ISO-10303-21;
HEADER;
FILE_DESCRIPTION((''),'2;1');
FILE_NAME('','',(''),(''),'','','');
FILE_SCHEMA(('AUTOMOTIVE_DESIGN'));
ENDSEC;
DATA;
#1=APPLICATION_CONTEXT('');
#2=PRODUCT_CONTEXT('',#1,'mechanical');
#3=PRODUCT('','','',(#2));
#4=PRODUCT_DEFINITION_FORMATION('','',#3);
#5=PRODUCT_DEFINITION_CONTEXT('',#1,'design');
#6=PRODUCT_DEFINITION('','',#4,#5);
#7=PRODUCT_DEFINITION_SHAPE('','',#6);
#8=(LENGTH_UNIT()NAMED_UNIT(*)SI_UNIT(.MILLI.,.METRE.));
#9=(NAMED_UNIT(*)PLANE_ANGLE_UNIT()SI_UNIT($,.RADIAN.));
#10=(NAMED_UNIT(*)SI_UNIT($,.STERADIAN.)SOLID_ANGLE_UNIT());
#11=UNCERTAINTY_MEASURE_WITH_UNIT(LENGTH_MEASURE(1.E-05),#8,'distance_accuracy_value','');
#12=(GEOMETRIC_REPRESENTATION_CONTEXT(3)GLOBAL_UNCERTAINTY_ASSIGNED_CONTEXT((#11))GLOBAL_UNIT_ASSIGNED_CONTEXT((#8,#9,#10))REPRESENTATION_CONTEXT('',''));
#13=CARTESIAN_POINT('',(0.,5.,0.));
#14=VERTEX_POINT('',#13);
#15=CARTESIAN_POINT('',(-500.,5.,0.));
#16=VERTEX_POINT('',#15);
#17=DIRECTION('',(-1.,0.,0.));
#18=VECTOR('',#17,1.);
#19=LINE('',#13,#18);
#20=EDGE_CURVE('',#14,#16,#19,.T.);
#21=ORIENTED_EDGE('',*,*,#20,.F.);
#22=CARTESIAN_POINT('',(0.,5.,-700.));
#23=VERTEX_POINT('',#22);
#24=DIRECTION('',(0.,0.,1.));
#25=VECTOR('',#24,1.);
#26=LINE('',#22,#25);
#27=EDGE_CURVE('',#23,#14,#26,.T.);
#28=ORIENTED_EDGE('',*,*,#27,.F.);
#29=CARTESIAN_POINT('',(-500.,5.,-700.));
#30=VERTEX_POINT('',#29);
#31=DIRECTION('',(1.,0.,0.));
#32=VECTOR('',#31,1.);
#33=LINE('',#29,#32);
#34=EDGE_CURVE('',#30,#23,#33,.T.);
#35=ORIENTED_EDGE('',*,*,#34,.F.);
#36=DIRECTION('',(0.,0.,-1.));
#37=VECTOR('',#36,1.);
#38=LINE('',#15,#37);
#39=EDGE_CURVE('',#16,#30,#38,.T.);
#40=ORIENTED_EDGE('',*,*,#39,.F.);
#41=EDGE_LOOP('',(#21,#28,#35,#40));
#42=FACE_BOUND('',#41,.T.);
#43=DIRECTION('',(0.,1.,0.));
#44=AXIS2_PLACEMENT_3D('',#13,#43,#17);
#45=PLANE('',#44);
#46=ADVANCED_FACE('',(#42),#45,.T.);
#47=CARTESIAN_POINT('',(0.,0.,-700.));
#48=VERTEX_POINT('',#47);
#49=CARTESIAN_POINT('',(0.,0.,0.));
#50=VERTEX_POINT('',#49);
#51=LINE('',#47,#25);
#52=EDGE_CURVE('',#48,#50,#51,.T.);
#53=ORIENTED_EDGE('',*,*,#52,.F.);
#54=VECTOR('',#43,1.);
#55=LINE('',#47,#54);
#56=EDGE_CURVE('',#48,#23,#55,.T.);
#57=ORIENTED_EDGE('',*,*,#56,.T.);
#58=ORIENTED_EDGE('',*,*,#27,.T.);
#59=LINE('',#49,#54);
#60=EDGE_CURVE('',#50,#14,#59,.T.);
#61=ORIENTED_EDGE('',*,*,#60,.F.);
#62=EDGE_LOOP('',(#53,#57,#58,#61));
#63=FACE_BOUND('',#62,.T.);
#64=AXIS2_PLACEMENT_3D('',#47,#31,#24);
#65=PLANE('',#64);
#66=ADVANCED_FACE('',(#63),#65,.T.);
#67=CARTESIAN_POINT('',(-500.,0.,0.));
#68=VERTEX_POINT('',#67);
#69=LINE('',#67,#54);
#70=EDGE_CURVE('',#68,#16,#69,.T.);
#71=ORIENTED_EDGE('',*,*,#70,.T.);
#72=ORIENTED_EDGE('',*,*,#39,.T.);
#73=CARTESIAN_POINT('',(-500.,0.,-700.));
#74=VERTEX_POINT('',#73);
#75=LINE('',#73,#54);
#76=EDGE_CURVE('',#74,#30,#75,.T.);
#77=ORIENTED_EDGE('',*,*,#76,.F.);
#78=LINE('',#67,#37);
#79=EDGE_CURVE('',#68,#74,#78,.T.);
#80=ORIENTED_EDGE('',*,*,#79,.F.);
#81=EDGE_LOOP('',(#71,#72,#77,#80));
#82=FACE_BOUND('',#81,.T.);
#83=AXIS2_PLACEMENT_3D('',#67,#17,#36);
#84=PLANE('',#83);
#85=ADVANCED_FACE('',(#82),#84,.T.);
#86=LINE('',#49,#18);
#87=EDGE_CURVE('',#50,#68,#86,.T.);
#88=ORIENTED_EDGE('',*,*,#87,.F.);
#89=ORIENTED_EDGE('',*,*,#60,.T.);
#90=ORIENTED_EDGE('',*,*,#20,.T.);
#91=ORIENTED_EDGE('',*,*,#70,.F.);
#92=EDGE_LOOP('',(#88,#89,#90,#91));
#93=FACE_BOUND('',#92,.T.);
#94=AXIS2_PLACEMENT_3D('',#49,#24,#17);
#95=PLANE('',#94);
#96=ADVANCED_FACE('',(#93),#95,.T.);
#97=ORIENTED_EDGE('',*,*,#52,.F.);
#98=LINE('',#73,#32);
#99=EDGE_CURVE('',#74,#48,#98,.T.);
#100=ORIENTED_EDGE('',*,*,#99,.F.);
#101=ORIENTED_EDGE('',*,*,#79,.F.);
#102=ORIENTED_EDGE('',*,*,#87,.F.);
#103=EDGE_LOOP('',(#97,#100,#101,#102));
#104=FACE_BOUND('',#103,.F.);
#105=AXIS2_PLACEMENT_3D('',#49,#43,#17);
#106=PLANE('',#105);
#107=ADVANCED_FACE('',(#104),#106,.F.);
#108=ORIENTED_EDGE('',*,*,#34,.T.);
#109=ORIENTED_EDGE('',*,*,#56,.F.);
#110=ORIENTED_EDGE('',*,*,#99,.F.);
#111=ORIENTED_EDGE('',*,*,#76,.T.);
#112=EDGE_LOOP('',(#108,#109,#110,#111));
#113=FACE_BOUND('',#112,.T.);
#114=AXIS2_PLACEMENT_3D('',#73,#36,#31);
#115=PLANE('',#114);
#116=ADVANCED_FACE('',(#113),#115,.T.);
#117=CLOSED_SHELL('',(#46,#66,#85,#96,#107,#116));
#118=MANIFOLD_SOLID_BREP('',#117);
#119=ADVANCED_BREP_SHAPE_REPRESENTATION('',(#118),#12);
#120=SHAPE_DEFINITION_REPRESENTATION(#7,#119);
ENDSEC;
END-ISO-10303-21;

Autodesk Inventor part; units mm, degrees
ref_plane "YZ Plane" through (0, 0, 0) normal (1, 0, 0) x (0, 1, 0)
ref_plane "XZ Plane" through (0, 0, 0) normal (0, 1, 0) x (-1, 0, 0)
ref_plane "XY Plane" through (0, 0, 0) normal (0, 0, 1) x (1, 0, 0)
sketch "Sketch1" plane through (0, 0, 0) normal (0, 1, 0) x (-1, 0, 0)
  line L0 (0, 0) -> (500, 0)
  line L1 (500, 0) -> (500, -700)
  line L2 (500, -700) -> (0, -700)
  line L3 (0, -700) -> (0, 0)
  dimension "d0" = 700
  dimension "d1" = 500
extrude "Extrusion1" add sketch "Sketch1" along normal blind 5
properties part number "glass"
